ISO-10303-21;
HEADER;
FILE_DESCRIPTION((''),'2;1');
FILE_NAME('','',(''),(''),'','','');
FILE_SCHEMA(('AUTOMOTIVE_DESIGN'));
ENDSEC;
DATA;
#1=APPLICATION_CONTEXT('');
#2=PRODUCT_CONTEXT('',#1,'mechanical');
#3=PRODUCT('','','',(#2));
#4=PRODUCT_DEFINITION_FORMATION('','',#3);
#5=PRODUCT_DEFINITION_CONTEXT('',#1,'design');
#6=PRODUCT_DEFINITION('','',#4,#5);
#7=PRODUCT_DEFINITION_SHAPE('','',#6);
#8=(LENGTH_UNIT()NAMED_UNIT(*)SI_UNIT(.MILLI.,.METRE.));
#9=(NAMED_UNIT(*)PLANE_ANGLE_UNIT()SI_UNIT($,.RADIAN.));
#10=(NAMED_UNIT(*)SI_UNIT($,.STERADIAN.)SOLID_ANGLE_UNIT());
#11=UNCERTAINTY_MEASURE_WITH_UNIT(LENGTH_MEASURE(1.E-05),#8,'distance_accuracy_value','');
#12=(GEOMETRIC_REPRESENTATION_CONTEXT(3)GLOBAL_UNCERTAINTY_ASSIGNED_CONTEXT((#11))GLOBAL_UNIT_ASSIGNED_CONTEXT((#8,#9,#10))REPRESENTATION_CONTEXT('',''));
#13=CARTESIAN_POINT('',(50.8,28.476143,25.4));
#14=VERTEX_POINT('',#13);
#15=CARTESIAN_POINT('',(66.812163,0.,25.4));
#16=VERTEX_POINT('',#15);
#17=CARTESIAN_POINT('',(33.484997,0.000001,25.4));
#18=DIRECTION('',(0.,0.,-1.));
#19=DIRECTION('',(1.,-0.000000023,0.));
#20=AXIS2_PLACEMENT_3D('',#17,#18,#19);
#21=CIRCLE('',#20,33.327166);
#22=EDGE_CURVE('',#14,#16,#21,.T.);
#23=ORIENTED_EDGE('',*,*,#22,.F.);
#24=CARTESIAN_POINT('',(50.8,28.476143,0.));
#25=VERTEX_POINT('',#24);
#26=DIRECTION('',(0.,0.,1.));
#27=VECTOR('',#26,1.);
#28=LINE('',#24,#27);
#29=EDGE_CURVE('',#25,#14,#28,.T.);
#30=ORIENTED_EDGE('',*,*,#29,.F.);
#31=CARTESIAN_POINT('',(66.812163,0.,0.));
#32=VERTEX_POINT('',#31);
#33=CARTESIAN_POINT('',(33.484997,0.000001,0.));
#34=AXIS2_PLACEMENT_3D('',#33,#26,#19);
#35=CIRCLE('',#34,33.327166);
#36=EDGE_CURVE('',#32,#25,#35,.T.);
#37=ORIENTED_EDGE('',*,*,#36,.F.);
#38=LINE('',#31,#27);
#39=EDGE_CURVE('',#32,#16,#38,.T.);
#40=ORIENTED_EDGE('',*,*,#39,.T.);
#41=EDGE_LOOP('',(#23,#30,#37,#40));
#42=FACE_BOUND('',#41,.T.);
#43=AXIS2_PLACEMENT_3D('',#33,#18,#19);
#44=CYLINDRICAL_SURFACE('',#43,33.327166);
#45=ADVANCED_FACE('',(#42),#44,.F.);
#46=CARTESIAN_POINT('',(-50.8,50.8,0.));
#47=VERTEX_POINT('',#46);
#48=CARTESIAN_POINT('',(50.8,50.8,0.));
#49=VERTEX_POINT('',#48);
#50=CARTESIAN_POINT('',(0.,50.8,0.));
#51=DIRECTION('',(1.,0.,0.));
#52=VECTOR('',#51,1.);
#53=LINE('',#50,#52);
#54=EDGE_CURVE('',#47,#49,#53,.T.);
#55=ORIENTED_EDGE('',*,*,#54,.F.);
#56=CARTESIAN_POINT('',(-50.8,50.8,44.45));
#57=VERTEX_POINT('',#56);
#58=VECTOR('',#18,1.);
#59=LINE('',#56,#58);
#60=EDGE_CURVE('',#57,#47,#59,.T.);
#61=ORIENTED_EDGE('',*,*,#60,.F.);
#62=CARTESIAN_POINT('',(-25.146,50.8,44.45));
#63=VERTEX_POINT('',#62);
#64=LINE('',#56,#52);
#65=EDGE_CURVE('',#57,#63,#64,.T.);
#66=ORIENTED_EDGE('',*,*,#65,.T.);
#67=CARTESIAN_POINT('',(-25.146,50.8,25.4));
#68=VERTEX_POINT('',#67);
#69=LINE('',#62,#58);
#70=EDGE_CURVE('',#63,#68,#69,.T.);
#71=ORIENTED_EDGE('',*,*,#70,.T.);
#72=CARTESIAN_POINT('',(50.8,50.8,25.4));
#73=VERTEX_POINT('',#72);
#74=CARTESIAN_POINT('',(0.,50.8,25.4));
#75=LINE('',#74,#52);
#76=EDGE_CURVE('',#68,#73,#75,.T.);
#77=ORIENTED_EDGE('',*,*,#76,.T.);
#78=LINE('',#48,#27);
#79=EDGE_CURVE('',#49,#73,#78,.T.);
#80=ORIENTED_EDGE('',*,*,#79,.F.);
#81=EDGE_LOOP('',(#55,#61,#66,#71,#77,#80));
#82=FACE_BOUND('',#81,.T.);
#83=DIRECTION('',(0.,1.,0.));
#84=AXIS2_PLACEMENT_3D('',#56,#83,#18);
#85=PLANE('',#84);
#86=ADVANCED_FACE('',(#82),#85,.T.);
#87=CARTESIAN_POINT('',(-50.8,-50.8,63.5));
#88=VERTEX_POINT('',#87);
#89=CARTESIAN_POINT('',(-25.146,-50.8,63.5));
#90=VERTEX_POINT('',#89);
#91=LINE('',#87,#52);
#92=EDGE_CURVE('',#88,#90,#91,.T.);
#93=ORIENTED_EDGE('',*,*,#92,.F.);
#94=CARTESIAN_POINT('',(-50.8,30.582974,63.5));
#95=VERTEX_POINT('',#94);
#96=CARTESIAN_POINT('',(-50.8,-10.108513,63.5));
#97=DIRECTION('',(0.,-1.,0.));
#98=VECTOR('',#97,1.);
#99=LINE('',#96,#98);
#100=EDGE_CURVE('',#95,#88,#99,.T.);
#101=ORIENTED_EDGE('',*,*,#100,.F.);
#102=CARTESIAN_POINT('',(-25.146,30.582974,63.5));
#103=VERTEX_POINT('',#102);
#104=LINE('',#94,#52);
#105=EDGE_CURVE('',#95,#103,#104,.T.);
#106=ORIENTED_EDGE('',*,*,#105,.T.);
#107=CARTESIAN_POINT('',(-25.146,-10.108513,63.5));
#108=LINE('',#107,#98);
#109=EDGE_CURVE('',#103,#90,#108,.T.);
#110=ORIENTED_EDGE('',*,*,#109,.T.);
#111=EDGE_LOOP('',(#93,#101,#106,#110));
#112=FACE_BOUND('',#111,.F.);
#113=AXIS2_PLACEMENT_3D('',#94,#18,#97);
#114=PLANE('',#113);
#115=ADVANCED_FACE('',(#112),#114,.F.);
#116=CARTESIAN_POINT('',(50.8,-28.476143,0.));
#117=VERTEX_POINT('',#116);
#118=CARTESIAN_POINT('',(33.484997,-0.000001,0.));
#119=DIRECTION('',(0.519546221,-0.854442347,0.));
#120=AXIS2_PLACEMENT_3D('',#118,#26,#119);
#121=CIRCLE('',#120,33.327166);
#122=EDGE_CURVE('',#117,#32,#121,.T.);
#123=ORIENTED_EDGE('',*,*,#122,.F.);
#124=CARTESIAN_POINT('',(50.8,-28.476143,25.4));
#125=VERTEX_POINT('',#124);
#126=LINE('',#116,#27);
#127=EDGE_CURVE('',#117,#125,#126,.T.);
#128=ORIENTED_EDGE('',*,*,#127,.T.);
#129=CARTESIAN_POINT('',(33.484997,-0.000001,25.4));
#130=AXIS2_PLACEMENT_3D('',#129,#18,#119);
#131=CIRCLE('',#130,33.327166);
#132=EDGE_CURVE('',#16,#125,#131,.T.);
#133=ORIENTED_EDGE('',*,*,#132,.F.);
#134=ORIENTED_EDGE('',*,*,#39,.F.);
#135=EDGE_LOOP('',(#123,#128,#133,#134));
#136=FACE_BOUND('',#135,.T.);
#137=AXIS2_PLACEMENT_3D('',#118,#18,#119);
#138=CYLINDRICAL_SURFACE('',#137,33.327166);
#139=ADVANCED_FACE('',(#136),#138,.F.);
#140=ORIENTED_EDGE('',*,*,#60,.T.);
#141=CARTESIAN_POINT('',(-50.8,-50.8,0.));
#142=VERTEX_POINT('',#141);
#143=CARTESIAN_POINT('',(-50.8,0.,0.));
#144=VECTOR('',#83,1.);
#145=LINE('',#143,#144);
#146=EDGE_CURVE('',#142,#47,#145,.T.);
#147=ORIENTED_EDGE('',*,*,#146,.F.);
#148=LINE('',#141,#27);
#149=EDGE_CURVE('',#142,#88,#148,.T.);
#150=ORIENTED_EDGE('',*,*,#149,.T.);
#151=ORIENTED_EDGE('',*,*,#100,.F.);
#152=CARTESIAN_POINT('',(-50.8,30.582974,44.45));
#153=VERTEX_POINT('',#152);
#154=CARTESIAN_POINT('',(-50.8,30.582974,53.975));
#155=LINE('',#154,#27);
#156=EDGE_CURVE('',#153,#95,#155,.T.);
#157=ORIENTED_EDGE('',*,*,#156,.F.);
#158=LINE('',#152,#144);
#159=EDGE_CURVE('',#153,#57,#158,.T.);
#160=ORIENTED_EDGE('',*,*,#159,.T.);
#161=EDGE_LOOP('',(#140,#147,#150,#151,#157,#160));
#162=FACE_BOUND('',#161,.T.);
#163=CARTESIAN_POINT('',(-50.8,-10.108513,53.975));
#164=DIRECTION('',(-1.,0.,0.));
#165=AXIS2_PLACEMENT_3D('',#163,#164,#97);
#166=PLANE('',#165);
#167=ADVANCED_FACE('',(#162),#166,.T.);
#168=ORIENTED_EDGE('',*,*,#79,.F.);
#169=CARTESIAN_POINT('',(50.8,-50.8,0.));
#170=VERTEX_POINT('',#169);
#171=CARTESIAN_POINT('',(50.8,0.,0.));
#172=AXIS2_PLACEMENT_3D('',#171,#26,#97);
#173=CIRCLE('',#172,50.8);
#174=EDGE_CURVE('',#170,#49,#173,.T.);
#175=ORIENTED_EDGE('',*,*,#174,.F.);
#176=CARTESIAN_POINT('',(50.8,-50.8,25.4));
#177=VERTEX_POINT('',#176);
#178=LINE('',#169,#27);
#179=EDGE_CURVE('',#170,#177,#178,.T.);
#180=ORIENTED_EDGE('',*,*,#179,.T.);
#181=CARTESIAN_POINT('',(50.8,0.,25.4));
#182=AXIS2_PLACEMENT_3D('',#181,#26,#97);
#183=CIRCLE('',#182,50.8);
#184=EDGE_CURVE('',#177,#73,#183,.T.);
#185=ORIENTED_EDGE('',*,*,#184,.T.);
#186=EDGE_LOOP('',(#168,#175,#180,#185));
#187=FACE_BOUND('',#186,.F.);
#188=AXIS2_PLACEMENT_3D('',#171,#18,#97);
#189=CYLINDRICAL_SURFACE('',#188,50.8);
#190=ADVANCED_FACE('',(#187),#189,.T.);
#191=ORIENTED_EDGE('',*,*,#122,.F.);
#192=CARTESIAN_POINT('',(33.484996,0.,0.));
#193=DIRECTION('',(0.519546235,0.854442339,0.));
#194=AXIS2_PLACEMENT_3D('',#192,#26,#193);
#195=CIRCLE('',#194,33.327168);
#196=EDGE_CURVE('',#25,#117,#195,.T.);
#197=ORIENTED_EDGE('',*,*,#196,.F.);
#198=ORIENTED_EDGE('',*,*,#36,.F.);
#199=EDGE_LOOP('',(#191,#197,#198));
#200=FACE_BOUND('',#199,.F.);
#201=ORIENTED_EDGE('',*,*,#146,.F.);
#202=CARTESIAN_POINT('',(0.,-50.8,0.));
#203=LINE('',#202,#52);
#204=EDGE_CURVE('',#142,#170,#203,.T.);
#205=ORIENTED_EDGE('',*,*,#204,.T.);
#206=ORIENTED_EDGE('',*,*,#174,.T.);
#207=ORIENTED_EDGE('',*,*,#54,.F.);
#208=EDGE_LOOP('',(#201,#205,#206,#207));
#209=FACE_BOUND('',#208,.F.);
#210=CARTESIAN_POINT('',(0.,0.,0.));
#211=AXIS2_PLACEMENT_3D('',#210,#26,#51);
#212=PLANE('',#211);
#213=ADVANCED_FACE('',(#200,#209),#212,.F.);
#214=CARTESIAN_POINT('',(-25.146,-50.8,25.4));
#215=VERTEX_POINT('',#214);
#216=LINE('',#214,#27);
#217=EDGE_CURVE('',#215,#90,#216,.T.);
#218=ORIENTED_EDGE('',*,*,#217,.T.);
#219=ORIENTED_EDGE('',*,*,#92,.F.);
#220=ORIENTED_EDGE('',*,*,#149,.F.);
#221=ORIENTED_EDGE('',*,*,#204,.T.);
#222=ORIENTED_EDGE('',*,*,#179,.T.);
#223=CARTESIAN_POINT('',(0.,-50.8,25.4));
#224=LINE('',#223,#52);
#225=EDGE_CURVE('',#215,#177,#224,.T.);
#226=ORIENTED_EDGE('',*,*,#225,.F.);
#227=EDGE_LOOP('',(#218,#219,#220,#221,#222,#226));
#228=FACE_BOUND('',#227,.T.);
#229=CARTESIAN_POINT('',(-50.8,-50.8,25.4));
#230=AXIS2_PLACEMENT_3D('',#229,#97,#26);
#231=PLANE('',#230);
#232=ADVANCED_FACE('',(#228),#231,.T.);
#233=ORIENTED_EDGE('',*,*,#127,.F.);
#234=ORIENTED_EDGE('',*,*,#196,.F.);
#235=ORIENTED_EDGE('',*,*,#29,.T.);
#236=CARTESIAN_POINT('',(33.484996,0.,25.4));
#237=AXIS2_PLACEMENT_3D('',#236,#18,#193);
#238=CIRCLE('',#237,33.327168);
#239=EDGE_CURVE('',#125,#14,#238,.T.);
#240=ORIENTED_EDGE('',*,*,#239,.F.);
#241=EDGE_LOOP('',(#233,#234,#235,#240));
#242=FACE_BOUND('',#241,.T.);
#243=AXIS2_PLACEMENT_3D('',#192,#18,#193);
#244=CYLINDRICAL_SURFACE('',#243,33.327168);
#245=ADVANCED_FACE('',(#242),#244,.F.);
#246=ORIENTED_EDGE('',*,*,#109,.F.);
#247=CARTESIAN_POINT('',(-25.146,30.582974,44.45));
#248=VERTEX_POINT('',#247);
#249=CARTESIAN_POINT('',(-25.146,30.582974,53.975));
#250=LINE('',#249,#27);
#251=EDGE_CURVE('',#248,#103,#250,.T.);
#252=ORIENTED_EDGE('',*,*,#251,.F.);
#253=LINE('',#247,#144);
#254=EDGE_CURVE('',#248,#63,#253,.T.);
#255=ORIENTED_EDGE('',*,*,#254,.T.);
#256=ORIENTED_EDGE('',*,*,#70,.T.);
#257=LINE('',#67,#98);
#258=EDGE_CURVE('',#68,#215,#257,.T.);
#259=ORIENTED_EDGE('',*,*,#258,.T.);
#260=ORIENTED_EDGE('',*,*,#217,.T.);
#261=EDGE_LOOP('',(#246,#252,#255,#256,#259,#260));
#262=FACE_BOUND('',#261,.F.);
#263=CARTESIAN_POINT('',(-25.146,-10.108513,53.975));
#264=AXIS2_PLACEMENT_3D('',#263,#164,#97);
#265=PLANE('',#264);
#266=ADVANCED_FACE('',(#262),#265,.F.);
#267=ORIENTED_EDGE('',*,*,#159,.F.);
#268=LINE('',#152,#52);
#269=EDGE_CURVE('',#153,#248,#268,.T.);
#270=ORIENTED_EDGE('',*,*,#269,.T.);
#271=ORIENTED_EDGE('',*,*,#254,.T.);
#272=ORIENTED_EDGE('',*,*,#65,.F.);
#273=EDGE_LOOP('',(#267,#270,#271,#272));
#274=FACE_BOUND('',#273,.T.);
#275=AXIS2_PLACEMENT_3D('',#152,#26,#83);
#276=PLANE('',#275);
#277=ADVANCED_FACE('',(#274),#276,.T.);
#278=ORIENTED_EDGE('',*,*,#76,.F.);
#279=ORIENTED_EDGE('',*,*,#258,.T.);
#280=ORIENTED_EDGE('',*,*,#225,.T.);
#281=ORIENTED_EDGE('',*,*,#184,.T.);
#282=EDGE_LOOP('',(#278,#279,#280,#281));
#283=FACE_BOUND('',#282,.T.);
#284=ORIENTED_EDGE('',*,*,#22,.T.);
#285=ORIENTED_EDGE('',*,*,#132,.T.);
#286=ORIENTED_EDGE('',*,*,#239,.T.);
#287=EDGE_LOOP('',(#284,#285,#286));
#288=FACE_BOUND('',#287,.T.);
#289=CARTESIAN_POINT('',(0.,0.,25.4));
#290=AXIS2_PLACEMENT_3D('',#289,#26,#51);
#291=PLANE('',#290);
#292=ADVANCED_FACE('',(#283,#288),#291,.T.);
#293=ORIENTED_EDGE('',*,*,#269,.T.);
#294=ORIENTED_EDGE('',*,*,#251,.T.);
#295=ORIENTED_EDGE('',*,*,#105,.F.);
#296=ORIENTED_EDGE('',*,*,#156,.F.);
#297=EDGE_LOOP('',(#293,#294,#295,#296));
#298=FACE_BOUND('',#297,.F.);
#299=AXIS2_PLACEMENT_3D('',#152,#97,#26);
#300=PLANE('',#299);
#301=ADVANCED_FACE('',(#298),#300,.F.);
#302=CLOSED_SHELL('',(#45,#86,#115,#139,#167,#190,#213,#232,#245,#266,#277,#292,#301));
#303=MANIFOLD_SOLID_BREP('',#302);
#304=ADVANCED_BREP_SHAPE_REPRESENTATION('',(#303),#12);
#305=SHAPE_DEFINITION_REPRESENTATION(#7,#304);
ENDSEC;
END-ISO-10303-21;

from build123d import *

# Parameters (mm, degrees)
F0_W     = 101.6
F0_H     = 101.6
F2_DEPTH = 25.4
F3_DEPTH = 54.864
F4_W     = 81.382974
F4_H     = 19.05
F5_DEPTH = 25.654


with BuildPart() as f2:
    # F0 (on Top) → F2 (new body)
    with BuildSketch(Plane.XY):
        Rectangle(F0_W, F0_H)
        with BuildLine():
            ThreePointArc((50.8, -50.8), (101.6, 0), (50.8, 50.8))
            Line((50.8, 50.8), (50.8, -50.8))
        make_face()
    extrude(amount=F2_DEPTH)

    # F1 (on face) → F3 (cut)
    with BuildSketch(Plane.XY):
        with BuildLine():
            ThreePointArc((50.8, -28.476143), (62.53461, -16.334626), (66.812163, 0))
            ThreePointArc((66.812163, 0), (62.53461, 16.334626), (50.8, 28.476143))
            Line((50.8, 28.476143), (50.8, -28.476143))
        make_face()
        with BuildLine():
            Line((50.8, -28.476143), (50.8, 28.476143))
            ThreePointArc((50.8, 28.476143), (0.157828, 0), (50.8, -28.476143))
        make_face()
    extrude(amount=F3_DEPTH, mode=Mode.SUBTRACT)

    # F4 (on face) → F5 (join)
    with BuildSketch(Plane(origin=(-50.8, 0, 0), x_dir=(0, -1, 0), z_dir=(-1, 0, 0))):
        with Locations((10.108513, 53.975)):
            Rectangle(F4_W, F4_H)
        Polygon((-30.582974, 44.45), (-50.8, 44.45), (-50.8, 25.4), (50.8, 25.4), (50.8, 44.45), align=None)
    extrude(amount=-F5_DEPTH)


solid = f2.part
